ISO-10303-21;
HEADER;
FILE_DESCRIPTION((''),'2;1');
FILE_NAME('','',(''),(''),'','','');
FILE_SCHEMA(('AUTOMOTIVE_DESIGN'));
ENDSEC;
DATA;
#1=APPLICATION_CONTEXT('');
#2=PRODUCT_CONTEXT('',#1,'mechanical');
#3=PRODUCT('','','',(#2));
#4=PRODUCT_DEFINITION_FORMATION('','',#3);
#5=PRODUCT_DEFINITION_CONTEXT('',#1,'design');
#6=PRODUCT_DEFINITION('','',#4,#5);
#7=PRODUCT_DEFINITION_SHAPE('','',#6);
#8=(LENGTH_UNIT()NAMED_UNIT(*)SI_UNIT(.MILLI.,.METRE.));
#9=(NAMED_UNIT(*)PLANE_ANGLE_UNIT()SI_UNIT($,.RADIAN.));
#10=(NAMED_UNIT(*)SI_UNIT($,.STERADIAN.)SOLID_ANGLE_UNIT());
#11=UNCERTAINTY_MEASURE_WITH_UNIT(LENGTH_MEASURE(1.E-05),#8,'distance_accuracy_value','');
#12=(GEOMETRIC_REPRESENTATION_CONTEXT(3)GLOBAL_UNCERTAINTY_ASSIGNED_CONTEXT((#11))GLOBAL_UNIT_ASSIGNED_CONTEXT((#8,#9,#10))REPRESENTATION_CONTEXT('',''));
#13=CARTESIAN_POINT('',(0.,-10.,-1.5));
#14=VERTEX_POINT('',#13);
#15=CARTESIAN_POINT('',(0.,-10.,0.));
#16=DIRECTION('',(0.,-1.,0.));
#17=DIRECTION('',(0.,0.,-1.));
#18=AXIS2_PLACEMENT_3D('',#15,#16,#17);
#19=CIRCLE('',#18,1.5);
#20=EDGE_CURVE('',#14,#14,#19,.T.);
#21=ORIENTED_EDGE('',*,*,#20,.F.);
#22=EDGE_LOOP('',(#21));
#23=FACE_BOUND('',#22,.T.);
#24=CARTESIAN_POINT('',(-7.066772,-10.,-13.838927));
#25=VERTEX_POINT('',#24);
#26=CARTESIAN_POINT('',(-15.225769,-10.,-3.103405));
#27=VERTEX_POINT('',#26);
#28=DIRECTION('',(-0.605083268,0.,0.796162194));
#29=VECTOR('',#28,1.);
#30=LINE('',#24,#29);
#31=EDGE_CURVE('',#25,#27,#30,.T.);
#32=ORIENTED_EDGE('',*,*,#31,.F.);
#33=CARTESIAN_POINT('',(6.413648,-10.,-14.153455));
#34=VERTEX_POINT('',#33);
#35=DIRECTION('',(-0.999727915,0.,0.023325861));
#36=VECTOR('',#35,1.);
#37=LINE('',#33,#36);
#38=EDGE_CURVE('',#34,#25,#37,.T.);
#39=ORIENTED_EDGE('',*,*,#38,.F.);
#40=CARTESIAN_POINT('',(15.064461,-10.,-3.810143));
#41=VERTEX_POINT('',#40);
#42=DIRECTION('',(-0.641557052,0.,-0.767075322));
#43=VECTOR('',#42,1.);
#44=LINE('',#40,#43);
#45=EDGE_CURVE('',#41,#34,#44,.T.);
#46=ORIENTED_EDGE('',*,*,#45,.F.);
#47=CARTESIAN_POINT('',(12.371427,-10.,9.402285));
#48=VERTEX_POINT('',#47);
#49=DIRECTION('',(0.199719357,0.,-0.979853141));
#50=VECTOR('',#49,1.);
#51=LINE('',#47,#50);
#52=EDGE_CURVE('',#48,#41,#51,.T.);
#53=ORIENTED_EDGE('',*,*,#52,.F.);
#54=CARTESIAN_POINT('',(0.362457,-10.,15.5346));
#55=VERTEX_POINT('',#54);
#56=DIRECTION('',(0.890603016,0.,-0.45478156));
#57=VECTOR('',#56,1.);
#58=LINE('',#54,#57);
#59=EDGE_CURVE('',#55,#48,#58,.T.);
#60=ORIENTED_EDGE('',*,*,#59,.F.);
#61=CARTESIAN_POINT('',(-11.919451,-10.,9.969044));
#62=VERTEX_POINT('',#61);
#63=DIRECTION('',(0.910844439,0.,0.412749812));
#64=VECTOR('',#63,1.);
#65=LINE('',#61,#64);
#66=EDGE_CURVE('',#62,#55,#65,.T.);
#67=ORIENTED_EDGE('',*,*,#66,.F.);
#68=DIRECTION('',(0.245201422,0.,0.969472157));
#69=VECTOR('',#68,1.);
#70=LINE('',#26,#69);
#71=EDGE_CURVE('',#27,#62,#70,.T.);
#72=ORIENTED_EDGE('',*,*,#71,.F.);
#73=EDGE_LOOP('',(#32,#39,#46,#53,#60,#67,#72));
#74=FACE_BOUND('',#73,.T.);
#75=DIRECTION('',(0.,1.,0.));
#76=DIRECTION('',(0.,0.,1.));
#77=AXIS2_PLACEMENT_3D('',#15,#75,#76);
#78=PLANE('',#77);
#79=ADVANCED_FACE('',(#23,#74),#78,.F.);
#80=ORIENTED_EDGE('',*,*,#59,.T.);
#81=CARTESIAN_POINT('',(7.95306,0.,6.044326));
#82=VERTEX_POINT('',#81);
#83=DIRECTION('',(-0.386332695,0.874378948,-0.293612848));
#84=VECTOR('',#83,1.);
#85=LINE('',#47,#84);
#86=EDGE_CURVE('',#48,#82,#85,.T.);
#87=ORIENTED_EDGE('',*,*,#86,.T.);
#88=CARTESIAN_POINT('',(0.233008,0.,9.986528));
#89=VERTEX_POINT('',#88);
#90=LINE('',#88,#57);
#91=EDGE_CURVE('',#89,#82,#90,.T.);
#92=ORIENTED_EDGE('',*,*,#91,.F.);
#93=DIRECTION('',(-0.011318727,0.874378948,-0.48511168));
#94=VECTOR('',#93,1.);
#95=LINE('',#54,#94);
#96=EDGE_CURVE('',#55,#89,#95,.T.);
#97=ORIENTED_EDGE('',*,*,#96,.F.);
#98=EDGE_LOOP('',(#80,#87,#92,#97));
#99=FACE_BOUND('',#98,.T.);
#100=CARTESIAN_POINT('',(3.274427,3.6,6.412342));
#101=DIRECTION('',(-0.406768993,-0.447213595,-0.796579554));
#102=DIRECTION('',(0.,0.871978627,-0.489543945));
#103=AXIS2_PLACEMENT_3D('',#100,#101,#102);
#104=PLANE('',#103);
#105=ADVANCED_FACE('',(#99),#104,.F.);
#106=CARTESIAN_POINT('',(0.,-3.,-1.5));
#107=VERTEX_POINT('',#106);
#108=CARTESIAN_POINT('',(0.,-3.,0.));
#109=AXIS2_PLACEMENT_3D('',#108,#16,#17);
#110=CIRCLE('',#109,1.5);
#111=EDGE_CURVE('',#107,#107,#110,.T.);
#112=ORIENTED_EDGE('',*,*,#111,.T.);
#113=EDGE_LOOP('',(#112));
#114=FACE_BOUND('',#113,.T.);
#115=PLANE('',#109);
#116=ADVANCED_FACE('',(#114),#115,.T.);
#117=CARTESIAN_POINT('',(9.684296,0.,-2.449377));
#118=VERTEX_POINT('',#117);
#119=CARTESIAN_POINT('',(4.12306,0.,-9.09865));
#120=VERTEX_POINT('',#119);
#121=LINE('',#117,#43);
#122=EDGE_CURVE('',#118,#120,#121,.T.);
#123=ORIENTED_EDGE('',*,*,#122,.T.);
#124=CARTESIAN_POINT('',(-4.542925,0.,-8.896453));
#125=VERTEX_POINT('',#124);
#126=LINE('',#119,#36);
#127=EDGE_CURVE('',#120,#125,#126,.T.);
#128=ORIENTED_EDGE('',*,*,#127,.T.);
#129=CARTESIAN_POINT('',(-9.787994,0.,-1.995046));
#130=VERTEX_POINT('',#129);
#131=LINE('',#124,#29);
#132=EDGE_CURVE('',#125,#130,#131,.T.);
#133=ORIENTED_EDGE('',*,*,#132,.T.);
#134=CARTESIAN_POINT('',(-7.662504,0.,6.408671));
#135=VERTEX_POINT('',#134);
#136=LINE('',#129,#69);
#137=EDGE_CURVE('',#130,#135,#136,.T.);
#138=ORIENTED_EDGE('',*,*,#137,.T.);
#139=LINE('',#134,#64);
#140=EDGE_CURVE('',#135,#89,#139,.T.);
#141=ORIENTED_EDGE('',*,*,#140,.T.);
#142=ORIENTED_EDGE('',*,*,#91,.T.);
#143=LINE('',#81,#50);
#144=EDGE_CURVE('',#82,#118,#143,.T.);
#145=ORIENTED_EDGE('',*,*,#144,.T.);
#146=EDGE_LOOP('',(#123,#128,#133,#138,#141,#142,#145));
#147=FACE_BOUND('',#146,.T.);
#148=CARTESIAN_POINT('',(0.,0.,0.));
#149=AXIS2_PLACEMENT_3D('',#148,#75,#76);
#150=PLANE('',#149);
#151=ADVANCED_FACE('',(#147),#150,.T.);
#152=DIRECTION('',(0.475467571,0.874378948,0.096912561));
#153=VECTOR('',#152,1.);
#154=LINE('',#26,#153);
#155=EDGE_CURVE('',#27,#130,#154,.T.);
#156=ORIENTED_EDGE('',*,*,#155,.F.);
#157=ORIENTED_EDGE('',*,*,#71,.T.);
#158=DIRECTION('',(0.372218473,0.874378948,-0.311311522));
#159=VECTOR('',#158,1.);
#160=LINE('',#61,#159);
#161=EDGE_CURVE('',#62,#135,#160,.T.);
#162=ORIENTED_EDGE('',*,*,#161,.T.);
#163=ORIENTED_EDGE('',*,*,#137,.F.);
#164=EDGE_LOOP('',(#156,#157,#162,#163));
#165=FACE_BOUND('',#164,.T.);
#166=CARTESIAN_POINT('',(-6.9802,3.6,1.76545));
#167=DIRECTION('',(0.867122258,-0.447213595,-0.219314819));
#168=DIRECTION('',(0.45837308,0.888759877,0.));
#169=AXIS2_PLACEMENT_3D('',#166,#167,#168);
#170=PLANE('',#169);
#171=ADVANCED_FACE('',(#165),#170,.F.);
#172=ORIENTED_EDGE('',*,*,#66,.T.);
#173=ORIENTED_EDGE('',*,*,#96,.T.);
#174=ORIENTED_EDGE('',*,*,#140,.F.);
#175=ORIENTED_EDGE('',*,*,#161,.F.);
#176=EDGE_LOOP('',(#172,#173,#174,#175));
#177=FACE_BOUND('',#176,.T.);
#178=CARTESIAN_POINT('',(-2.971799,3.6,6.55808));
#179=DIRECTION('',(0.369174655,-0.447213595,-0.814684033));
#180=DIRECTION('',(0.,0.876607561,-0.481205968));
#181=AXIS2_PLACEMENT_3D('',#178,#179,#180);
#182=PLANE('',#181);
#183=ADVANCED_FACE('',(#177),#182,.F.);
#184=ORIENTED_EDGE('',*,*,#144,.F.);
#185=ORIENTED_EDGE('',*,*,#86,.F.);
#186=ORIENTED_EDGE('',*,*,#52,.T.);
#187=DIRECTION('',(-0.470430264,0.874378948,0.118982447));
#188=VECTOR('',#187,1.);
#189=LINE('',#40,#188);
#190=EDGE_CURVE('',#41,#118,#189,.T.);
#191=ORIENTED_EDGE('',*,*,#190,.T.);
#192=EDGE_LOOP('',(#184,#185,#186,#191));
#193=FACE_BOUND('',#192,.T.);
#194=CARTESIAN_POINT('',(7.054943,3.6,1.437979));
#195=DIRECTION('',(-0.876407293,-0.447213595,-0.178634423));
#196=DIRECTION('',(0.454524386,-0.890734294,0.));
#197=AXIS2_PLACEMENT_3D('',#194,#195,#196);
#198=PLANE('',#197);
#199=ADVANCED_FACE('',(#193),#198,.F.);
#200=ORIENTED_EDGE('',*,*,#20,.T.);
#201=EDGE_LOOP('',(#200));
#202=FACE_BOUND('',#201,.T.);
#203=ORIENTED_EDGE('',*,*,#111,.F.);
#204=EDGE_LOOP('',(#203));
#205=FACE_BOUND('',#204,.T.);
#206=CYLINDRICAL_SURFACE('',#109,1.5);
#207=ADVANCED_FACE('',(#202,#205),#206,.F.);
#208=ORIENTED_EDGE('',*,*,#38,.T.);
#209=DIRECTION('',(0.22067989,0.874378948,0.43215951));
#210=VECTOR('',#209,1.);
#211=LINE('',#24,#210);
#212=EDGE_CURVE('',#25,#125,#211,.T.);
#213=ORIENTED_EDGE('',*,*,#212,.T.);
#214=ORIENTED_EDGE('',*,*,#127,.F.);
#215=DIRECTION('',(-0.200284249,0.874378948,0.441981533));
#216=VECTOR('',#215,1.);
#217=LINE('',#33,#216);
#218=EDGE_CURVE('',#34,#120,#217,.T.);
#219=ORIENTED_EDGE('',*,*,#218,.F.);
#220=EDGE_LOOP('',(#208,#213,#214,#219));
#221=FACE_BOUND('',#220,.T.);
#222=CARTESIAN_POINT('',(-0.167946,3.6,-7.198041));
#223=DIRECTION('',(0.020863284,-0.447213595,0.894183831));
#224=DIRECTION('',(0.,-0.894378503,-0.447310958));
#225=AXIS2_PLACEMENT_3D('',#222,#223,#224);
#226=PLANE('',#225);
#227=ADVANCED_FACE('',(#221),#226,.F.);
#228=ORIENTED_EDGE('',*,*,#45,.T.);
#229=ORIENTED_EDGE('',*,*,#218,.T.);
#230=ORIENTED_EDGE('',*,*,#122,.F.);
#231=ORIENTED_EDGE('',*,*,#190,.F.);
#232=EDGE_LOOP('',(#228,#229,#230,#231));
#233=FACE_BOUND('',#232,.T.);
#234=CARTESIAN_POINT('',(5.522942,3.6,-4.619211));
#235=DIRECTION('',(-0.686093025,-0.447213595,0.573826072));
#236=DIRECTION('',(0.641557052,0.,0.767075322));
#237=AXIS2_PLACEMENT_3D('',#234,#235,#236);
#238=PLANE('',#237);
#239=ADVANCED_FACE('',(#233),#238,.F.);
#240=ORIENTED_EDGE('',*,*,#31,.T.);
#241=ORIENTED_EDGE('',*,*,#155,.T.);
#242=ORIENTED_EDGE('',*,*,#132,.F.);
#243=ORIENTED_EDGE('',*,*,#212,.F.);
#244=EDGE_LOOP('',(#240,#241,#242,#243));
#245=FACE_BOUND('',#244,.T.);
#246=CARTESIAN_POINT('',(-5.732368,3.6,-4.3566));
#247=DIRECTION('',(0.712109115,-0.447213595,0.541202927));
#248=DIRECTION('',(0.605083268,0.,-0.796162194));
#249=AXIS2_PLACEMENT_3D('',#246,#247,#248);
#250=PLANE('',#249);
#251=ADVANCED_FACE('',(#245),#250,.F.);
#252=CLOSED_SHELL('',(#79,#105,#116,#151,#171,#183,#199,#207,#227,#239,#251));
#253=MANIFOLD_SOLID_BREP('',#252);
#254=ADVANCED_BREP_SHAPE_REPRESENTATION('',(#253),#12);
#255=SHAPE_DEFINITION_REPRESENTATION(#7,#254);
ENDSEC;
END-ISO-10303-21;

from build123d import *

# Parameters (mm, degrees)
SKETCH3_R          = 1.5
CUT_EXTRUDE1_DEPTH = 7


with BuildPart() as part:
    # Sketch2 → Loft1 section 0
    with BuildSketch(Plane(origin=(0, -10, 0), x_dir=(1, 0, 0), z_dir=(0, 1, 0))):
        with BuildLine():
            Line((6.413648207, 14.153454805), (-7.066772303, 13.838926817))
            Line((-7.066772303, 13.838926817), (-15.225769132, 3.103404673))
            Line((-15.225769132, 3.103404673), (-11.919451256, -9.969044488))
            Line((-11.919451256, -9.969044488), (0.362456529, -15.534599818))
            Line((0.362456529, -15.534599818), (12.371427154, -9.402284637))
            Line((12.371427154, -9.402284637), (15.064460802, 3.810142647))
            Line((15.064460802, 3.810142647), (6.413648207, 14.153454805))
        make_face()
    # Sketch1 → Loft1 section 1
    with BuildSketch(Plane(origin=(0, 0, 0), x_dir=(1, 0, 0), z_dir=(0, 1, 0))):
        with BuildLine():
            Line((7.953060314, -6.044325838), (9.68429623, 2.449377416))
            Line((9.68429623, 2.449377416), (4.123059561, 9.098649518))
            Line((4.123059561, 9.098649518), (-4.542925052, 8.896452954))
            Line((-4.542925052, 8.896452954), (-9.787994442, 1.995045862))
            Line((-9.787994442, 1.995045862), (-7.662504379, -6.408671456))
            Line((-7.662504379, -6.408671456), (0.233007768, -9.986528454))
            Line((0.233007768, -9.986528454), (7.953060314, -6.044325838))
        make_face()
    loft()

    # Sketch3 → Cut-Extrude1 (cut)
    with BuildSketch(Plane.XZ.offset(10)):
        with Locations(Location((0, 0, 0), (0, 0, 270))):
            Circle(SKETCH3_R)
    extrude(amount=-CUT_EXTRUDE1_DEPTH, mode=Mode.SUBTRACT)


solid = part.part
